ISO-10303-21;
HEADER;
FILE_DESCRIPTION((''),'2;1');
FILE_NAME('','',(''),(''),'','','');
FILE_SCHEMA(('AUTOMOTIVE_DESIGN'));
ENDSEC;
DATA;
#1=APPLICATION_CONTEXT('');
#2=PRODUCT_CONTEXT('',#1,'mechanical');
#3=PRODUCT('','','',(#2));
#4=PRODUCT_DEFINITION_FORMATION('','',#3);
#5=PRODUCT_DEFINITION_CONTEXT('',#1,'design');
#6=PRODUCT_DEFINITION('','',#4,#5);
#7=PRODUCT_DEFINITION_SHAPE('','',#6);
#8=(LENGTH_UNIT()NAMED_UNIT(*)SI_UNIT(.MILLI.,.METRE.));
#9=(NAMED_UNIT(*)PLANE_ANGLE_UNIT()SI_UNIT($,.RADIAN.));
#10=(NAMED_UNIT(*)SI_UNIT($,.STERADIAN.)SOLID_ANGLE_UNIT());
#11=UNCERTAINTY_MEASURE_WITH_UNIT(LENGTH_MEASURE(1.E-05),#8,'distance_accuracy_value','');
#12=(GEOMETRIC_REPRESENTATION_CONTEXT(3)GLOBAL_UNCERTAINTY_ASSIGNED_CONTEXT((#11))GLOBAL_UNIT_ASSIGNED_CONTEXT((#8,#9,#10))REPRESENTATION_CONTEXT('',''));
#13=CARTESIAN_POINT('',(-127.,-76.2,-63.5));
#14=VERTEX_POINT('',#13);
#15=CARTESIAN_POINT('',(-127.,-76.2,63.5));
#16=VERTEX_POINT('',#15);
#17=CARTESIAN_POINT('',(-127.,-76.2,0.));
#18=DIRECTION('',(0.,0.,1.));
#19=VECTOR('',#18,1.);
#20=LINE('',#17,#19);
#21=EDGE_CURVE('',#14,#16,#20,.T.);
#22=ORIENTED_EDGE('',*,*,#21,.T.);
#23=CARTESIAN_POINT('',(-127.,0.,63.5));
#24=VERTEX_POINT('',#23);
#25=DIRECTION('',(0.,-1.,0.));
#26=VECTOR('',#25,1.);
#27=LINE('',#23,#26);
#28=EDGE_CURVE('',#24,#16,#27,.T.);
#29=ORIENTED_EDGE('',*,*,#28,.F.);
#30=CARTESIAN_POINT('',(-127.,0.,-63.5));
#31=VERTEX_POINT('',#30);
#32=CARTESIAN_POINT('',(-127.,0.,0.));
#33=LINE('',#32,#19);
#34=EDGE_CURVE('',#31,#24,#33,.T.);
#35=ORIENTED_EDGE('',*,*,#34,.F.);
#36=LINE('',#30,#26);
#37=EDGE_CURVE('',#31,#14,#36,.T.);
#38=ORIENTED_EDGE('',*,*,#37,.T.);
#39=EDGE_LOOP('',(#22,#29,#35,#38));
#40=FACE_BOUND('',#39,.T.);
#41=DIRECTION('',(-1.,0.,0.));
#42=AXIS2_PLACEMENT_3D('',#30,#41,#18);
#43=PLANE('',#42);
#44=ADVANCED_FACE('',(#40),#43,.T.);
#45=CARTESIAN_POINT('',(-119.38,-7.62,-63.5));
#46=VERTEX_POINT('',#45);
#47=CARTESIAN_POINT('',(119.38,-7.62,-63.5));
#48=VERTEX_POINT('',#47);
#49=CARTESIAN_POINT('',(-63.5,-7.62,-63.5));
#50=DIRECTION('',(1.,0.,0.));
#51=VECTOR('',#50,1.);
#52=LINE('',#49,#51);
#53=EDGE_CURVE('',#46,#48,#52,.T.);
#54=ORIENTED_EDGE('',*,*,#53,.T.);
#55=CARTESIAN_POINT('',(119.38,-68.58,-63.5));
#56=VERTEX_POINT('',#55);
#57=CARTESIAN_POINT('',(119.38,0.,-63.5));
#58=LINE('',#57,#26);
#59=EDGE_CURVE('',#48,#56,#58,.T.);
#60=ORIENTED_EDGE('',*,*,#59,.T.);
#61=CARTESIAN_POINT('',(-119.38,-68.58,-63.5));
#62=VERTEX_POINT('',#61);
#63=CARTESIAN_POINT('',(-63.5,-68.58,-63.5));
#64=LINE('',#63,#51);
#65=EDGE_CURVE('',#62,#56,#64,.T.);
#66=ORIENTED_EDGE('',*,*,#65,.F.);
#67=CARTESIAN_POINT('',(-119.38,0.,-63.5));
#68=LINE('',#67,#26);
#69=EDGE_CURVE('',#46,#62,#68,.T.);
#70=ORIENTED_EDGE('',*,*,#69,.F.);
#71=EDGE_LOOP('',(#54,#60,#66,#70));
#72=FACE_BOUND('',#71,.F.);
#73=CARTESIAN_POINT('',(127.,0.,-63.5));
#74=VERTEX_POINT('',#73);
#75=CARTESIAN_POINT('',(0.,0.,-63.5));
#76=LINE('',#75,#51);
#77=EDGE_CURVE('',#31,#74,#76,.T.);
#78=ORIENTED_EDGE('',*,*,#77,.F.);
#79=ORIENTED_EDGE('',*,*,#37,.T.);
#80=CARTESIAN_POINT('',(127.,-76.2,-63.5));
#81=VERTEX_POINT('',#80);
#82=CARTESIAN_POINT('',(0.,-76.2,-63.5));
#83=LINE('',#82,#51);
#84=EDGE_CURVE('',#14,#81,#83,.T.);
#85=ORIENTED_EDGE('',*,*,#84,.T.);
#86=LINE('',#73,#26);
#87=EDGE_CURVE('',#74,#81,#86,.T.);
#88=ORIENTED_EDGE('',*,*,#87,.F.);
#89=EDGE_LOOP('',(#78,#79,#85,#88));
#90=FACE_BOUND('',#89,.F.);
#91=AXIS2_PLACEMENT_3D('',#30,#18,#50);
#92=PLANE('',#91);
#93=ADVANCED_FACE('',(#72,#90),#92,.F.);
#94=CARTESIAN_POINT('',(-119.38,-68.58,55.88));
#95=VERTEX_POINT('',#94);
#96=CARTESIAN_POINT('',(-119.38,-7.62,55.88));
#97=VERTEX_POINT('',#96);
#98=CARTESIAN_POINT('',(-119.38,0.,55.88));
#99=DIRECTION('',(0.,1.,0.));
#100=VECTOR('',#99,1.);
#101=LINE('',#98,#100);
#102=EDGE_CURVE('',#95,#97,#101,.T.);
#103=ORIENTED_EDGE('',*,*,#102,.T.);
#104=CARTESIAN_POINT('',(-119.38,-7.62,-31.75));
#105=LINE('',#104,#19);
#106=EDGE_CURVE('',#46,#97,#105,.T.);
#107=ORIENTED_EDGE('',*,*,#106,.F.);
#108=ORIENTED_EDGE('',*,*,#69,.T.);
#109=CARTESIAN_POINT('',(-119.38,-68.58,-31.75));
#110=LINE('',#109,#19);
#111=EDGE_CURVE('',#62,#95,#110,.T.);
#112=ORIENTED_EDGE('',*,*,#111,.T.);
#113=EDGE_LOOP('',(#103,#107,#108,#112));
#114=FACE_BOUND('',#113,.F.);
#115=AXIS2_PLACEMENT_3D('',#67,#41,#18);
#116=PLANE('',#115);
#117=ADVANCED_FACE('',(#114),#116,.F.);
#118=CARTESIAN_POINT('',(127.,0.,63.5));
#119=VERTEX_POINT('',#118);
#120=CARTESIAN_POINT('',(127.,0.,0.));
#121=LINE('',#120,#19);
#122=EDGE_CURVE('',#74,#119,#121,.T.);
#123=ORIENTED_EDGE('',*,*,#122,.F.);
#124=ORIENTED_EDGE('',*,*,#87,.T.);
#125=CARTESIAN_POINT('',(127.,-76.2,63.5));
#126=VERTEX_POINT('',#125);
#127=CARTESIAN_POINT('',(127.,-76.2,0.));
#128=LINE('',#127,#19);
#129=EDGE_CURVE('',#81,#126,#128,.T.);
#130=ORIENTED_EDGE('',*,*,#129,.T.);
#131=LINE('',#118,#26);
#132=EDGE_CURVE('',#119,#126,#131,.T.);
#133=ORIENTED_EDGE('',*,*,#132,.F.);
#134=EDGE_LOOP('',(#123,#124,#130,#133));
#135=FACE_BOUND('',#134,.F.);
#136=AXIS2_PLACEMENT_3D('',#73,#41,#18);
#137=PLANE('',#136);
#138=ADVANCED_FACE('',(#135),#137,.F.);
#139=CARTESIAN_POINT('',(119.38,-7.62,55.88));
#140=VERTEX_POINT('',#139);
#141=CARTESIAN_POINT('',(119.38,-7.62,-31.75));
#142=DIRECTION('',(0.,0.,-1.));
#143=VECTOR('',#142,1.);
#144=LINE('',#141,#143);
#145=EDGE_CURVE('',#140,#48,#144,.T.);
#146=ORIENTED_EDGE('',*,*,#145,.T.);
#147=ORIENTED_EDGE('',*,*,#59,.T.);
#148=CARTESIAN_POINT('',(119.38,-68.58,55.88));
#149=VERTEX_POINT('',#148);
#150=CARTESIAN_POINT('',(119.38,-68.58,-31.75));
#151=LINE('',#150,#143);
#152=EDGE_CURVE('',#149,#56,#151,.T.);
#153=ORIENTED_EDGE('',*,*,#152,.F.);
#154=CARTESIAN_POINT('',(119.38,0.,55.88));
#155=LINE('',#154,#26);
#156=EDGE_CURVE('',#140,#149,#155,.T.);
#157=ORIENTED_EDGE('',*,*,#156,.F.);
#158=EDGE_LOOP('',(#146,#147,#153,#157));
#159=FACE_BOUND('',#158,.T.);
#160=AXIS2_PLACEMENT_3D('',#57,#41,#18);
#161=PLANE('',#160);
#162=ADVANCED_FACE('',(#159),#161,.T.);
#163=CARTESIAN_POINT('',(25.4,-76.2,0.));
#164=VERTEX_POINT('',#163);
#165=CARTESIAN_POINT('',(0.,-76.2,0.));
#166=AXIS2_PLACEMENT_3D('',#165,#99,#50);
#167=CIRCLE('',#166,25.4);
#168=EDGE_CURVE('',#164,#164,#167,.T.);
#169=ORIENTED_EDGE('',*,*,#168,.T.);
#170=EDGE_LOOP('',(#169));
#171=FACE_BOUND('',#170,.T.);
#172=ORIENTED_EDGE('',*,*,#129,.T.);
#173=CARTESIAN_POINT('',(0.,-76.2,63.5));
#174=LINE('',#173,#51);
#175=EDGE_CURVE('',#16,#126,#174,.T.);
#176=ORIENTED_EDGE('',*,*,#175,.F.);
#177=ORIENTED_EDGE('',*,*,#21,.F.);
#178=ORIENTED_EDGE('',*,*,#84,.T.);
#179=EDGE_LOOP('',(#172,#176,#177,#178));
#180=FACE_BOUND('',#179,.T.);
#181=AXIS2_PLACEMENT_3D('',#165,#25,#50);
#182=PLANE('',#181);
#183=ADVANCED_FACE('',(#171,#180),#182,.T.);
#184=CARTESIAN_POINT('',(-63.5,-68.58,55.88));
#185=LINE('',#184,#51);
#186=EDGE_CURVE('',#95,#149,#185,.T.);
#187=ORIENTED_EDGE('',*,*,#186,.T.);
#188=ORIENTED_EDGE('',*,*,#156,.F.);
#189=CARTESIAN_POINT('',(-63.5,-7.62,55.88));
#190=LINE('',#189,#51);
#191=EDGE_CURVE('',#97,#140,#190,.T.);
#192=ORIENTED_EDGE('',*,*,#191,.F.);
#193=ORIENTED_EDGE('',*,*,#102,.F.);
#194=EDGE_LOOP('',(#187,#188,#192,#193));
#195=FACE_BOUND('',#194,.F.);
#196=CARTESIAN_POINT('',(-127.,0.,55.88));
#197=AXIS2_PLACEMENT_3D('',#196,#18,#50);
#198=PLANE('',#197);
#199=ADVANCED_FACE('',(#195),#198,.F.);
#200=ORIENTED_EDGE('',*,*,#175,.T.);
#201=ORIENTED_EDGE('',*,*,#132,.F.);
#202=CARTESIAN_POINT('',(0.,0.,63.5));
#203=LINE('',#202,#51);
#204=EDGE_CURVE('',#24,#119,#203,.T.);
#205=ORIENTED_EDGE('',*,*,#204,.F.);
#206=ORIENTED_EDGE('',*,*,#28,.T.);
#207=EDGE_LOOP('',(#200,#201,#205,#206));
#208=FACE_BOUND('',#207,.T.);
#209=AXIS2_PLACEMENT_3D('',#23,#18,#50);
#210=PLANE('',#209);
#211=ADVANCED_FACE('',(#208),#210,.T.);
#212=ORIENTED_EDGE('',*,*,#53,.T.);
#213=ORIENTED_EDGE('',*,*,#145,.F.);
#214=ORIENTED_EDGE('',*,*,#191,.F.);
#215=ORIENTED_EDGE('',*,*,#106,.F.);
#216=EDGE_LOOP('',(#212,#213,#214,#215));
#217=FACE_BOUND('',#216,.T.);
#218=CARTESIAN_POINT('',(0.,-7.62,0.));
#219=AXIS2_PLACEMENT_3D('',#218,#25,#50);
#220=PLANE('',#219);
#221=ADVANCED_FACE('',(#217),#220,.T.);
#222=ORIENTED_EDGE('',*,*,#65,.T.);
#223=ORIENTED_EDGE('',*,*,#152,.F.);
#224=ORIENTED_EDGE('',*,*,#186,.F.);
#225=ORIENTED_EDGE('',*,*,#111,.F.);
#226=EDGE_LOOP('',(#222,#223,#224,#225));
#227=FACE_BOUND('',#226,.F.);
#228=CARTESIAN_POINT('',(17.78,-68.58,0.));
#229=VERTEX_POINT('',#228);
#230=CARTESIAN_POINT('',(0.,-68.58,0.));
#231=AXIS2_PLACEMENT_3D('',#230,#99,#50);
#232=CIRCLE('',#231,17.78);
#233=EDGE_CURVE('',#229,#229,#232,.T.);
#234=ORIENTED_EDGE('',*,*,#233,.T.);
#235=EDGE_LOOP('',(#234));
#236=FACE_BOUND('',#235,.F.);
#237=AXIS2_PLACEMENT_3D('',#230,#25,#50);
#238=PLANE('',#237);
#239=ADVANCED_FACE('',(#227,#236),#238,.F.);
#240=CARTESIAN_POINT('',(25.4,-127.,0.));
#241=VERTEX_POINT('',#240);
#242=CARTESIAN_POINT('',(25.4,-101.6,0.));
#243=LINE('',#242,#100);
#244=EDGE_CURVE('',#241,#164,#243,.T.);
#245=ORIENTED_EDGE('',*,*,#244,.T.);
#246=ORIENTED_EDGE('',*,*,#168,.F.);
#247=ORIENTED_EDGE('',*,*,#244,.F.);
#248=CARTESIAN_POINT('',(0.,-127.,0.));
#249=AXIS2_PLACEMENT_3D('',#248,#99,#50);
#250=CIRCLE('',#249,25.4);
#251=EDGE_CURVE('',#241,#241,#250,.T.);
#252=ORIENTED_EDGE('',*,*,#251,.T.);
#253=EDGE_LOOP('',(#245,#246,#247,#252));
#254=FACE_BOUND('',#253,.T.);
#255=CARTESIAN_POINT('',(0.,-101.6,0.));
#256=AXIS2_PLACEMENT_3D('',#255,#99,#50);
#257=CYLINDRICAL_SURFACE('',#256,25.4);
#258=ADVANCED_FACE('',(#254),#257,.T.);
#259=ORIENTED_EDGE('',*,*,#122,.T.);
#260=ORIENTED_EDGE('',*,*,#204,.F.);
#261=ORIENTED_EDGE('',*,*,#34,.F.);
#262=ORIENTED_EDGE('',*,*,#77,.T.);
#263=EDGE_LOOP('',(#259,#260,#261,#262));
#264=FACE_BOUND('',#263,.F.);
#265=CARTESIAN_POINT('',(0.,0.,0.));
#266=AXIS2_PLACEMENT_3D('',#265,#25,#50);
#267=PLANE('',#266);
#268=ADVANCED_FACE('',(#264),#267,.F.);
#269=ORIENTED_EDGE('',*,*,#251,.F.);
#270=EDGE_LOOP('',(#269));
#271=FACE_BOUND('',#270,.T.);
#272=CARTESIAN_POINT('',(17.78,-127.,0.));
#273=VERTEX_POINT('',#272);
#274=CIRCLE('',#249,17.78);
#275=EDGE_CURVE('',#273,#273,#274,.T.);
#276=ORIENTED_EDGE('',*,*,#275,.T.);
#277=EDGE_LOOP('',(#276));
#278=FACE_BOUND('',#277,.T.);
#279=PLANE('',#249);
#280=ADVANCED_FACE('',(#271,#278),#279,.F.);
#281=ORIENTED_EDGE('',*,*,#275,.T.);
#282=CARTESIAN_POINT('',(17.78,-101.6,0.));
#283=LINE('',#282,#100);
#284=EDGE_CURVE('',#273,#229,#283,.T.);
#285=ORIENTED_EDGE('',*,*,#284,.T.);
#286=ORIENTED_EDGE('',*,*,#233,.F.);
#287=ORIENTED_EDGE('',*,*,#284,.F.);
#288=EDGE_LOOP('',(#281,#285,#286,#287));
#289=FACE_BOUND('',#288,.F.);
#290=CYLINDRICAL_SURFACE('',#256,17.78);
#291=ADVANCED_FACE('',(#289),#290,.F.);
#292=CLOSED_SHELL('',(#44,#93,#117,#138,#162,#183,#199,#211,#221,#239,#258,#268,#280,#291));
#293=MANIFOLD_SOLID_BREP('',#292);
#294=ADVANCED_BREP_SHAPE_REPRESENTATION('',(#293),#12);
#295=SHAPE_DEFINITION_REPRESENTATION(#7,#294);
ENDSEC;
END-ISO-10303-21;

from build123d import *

# Parameters (mm, degrees)
F0_W     = 254
F0_H     = 127
F1_DEPTH = 76.2
F2_W     = 25.4
F2_H     = 50.8
F4_T     = -7.62


with BuildPart() as f1:
    # F0 (on Front) → F1 (new body)
    with BuildSketch(Plane.XZ):
        Rectangle(F0_W, F0_H)
    extrude(amount=F1_DEPTH)

    # F2 (on Top) → F3 (revolve)
    with BuildSketch(Plane.XY):
        with Locations((12.7, -101.6)):
            Rectangle(F2_W, F2_H)
    revolve(axis=Axis((0, -101.6, 0), (0, 1, 0)))

    # F4
    f4_openings = [f1.faces().sort_by_distance(p)[0] for p in [
        (0, -127, 0),
        (0, -38.1, -63.5),
    ]]
    offset(amount=F4_T, openings=f4_openings, kind=Kind.INTERSECTION)


solid = f1.part
